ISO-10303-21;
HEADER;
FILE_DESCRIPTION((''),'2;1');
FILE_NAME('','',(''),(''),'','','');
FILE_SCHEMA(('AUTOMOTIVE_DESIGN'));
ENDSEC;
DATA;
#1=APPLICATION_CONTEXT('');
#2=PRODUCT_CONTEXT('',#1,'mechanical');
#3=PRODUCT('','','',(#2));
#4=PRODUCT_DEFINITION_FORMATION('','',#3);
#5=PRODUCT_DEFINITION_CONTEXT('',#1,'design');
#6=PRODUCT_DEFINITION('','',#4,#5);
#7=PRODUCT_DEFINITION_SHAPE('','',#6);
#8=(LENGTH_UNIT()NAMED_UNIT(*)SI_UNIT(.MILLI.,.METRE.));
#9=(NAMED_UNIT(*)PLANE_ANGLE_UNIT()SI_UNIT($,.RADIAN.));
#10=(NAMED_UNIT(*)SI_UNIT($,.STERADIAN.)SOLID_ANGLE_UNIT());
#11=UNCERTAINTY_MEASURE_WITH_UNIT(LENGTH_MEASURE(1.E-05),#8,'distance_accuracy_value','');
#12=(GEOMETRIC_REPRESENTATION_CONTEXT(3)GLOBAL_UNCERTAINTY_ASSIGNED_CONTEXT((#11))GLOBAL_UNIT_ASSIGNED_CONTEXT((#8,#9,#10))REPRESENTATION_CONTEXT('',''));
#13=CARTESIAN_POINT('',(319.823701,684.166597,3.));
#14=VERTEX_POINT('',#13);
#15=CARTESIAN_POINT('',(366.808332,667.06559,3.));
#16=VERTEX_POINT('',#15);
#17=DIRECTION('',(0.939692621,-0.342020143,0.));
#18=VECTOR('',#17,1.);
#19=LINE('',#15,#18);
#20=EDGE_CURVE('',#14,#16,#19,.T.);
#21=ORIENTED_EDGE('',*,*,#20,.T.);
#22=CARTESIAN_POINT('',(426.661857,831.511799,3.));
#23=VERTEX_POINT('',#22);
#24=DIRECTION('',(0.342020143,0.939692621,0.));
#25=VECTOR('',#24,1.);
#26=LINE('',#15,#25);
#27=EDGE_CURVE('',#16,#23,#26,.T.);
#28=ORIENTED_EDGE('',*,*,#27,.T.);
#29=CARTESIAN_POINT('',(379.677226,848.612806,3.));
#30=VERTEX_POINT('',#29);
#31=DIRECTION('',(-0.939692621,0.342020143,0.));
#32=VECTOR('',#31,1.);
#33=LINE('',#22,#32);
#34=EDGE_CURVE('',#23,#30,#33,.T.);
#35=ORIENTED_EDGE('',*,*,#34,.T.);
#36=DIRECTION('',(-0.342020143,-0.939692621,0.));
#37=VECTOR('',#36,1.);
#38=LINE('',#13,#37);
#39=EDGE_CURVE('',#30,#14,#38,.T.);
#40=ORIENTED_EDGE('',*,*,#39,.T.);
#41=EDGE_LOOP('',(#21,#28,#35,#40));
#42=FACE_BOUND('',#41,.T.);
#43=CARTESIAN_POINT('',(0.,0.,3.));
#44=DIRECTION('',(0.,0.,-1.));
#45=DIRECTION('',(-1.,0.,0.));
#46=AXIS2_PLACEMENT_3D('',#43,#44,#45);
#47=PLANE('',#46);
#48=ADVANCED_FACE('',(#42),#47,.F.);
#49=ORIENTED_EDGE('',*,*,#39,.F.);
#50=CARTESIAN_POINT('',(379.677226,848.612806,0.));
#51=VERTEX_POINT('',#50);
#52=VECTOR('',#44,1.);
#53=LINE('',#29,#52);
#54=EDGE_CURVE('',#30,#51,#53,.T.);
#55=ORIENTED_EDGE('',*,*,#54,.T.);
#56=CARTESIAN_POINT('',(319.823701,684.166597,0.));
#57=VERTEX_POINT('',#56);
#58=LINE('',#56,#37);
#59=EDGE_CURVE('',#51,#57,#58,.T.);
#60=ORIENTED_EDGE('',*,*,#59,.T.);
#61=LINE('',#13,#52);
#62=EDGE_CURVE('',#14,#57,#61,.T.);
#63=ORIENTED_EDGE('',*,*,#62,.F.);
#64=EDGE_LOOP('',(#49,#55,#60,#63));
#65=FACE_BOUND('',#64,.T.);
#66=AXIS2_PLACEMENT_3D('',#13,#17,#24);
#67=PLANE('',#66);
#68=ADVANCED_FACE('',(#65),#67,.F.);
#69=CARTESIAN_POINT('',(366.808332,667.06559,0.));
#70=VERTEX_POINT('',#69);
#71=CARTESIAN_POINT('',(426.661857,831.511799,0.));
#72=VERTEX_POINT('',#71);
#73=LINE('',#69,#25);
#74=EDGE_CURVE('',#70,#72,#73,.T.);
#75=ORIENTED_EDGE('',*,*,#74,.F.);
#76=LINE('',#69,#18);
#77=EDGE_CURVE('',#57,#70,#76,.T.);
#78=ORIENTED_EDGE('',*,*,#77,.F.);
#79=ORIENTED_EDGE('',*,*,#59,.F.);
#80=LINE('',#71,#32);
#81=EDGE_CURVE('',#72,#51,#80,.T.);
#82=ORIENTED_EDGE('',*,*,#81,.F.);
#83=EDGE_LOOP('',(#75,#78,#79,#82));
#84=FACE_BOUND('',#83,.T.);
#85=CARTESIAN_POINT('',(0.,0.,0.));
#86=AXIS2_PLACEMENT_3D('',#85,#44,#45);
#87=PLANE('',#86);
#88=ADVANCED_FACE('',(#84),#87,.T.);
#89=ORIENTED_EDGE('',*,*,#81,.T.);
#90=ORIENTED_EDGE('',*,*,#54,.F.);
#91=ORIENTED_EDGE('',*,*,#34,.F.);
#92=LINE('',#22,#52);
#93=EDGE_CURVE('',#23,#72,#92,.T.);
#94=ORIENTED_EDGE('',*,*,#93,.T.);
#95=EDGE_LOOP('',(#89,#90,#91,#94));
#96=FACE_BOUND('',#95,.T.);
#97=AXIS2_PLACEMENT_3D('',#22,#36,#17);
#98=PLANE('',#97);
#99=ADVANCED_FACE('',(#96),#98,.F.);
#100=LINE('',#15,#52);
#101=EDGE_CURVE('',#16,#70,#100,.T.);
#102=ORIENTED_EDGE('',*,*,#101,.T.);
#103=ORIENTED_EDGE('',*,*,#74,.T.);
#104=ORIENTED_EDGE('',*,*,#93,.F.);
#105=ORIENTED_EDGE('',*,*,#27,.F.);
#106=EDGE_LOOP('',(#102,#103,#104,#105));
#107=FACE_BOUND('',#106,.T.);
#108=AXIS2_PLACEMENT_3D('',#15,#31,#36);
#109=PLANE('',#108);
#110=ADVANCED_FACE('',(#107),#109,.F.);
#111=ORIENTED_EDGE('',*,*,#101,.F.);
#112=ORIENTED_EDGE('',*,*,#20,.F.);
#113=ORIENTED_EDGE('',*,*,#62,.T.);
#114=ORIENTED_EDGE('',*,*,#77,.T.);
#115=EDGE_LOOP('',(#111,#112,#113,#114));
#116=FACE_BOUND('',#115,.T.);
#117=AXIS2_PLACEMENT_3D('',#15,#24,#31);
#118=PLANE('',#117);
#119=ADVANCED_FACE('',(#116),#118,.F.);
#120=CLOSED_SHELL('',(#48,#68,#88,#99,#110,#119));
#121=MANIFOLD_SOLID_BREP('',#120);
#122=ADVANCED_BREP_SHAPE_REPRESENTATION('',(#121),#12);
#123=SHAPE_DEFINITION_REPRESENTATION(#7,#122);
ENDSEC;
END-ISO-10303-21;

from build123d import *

# Parameters (mm, degrees)
EXTRUDE_1_DEPTH = 3


with BuildPart() as part:
    # 草图1 → 凸台-拉伸1 (new body)
    with BuildSketch(Plane.XY):
        Polygon((366.808331571, 667.065590198), (426.661856653, 831.511798836), (379.677225614, 848.612806002), (319.823700532, 684.166597365), align=None)
    extrude(amount=EXTRUDE_1_DEPTH)


solid = part.part
